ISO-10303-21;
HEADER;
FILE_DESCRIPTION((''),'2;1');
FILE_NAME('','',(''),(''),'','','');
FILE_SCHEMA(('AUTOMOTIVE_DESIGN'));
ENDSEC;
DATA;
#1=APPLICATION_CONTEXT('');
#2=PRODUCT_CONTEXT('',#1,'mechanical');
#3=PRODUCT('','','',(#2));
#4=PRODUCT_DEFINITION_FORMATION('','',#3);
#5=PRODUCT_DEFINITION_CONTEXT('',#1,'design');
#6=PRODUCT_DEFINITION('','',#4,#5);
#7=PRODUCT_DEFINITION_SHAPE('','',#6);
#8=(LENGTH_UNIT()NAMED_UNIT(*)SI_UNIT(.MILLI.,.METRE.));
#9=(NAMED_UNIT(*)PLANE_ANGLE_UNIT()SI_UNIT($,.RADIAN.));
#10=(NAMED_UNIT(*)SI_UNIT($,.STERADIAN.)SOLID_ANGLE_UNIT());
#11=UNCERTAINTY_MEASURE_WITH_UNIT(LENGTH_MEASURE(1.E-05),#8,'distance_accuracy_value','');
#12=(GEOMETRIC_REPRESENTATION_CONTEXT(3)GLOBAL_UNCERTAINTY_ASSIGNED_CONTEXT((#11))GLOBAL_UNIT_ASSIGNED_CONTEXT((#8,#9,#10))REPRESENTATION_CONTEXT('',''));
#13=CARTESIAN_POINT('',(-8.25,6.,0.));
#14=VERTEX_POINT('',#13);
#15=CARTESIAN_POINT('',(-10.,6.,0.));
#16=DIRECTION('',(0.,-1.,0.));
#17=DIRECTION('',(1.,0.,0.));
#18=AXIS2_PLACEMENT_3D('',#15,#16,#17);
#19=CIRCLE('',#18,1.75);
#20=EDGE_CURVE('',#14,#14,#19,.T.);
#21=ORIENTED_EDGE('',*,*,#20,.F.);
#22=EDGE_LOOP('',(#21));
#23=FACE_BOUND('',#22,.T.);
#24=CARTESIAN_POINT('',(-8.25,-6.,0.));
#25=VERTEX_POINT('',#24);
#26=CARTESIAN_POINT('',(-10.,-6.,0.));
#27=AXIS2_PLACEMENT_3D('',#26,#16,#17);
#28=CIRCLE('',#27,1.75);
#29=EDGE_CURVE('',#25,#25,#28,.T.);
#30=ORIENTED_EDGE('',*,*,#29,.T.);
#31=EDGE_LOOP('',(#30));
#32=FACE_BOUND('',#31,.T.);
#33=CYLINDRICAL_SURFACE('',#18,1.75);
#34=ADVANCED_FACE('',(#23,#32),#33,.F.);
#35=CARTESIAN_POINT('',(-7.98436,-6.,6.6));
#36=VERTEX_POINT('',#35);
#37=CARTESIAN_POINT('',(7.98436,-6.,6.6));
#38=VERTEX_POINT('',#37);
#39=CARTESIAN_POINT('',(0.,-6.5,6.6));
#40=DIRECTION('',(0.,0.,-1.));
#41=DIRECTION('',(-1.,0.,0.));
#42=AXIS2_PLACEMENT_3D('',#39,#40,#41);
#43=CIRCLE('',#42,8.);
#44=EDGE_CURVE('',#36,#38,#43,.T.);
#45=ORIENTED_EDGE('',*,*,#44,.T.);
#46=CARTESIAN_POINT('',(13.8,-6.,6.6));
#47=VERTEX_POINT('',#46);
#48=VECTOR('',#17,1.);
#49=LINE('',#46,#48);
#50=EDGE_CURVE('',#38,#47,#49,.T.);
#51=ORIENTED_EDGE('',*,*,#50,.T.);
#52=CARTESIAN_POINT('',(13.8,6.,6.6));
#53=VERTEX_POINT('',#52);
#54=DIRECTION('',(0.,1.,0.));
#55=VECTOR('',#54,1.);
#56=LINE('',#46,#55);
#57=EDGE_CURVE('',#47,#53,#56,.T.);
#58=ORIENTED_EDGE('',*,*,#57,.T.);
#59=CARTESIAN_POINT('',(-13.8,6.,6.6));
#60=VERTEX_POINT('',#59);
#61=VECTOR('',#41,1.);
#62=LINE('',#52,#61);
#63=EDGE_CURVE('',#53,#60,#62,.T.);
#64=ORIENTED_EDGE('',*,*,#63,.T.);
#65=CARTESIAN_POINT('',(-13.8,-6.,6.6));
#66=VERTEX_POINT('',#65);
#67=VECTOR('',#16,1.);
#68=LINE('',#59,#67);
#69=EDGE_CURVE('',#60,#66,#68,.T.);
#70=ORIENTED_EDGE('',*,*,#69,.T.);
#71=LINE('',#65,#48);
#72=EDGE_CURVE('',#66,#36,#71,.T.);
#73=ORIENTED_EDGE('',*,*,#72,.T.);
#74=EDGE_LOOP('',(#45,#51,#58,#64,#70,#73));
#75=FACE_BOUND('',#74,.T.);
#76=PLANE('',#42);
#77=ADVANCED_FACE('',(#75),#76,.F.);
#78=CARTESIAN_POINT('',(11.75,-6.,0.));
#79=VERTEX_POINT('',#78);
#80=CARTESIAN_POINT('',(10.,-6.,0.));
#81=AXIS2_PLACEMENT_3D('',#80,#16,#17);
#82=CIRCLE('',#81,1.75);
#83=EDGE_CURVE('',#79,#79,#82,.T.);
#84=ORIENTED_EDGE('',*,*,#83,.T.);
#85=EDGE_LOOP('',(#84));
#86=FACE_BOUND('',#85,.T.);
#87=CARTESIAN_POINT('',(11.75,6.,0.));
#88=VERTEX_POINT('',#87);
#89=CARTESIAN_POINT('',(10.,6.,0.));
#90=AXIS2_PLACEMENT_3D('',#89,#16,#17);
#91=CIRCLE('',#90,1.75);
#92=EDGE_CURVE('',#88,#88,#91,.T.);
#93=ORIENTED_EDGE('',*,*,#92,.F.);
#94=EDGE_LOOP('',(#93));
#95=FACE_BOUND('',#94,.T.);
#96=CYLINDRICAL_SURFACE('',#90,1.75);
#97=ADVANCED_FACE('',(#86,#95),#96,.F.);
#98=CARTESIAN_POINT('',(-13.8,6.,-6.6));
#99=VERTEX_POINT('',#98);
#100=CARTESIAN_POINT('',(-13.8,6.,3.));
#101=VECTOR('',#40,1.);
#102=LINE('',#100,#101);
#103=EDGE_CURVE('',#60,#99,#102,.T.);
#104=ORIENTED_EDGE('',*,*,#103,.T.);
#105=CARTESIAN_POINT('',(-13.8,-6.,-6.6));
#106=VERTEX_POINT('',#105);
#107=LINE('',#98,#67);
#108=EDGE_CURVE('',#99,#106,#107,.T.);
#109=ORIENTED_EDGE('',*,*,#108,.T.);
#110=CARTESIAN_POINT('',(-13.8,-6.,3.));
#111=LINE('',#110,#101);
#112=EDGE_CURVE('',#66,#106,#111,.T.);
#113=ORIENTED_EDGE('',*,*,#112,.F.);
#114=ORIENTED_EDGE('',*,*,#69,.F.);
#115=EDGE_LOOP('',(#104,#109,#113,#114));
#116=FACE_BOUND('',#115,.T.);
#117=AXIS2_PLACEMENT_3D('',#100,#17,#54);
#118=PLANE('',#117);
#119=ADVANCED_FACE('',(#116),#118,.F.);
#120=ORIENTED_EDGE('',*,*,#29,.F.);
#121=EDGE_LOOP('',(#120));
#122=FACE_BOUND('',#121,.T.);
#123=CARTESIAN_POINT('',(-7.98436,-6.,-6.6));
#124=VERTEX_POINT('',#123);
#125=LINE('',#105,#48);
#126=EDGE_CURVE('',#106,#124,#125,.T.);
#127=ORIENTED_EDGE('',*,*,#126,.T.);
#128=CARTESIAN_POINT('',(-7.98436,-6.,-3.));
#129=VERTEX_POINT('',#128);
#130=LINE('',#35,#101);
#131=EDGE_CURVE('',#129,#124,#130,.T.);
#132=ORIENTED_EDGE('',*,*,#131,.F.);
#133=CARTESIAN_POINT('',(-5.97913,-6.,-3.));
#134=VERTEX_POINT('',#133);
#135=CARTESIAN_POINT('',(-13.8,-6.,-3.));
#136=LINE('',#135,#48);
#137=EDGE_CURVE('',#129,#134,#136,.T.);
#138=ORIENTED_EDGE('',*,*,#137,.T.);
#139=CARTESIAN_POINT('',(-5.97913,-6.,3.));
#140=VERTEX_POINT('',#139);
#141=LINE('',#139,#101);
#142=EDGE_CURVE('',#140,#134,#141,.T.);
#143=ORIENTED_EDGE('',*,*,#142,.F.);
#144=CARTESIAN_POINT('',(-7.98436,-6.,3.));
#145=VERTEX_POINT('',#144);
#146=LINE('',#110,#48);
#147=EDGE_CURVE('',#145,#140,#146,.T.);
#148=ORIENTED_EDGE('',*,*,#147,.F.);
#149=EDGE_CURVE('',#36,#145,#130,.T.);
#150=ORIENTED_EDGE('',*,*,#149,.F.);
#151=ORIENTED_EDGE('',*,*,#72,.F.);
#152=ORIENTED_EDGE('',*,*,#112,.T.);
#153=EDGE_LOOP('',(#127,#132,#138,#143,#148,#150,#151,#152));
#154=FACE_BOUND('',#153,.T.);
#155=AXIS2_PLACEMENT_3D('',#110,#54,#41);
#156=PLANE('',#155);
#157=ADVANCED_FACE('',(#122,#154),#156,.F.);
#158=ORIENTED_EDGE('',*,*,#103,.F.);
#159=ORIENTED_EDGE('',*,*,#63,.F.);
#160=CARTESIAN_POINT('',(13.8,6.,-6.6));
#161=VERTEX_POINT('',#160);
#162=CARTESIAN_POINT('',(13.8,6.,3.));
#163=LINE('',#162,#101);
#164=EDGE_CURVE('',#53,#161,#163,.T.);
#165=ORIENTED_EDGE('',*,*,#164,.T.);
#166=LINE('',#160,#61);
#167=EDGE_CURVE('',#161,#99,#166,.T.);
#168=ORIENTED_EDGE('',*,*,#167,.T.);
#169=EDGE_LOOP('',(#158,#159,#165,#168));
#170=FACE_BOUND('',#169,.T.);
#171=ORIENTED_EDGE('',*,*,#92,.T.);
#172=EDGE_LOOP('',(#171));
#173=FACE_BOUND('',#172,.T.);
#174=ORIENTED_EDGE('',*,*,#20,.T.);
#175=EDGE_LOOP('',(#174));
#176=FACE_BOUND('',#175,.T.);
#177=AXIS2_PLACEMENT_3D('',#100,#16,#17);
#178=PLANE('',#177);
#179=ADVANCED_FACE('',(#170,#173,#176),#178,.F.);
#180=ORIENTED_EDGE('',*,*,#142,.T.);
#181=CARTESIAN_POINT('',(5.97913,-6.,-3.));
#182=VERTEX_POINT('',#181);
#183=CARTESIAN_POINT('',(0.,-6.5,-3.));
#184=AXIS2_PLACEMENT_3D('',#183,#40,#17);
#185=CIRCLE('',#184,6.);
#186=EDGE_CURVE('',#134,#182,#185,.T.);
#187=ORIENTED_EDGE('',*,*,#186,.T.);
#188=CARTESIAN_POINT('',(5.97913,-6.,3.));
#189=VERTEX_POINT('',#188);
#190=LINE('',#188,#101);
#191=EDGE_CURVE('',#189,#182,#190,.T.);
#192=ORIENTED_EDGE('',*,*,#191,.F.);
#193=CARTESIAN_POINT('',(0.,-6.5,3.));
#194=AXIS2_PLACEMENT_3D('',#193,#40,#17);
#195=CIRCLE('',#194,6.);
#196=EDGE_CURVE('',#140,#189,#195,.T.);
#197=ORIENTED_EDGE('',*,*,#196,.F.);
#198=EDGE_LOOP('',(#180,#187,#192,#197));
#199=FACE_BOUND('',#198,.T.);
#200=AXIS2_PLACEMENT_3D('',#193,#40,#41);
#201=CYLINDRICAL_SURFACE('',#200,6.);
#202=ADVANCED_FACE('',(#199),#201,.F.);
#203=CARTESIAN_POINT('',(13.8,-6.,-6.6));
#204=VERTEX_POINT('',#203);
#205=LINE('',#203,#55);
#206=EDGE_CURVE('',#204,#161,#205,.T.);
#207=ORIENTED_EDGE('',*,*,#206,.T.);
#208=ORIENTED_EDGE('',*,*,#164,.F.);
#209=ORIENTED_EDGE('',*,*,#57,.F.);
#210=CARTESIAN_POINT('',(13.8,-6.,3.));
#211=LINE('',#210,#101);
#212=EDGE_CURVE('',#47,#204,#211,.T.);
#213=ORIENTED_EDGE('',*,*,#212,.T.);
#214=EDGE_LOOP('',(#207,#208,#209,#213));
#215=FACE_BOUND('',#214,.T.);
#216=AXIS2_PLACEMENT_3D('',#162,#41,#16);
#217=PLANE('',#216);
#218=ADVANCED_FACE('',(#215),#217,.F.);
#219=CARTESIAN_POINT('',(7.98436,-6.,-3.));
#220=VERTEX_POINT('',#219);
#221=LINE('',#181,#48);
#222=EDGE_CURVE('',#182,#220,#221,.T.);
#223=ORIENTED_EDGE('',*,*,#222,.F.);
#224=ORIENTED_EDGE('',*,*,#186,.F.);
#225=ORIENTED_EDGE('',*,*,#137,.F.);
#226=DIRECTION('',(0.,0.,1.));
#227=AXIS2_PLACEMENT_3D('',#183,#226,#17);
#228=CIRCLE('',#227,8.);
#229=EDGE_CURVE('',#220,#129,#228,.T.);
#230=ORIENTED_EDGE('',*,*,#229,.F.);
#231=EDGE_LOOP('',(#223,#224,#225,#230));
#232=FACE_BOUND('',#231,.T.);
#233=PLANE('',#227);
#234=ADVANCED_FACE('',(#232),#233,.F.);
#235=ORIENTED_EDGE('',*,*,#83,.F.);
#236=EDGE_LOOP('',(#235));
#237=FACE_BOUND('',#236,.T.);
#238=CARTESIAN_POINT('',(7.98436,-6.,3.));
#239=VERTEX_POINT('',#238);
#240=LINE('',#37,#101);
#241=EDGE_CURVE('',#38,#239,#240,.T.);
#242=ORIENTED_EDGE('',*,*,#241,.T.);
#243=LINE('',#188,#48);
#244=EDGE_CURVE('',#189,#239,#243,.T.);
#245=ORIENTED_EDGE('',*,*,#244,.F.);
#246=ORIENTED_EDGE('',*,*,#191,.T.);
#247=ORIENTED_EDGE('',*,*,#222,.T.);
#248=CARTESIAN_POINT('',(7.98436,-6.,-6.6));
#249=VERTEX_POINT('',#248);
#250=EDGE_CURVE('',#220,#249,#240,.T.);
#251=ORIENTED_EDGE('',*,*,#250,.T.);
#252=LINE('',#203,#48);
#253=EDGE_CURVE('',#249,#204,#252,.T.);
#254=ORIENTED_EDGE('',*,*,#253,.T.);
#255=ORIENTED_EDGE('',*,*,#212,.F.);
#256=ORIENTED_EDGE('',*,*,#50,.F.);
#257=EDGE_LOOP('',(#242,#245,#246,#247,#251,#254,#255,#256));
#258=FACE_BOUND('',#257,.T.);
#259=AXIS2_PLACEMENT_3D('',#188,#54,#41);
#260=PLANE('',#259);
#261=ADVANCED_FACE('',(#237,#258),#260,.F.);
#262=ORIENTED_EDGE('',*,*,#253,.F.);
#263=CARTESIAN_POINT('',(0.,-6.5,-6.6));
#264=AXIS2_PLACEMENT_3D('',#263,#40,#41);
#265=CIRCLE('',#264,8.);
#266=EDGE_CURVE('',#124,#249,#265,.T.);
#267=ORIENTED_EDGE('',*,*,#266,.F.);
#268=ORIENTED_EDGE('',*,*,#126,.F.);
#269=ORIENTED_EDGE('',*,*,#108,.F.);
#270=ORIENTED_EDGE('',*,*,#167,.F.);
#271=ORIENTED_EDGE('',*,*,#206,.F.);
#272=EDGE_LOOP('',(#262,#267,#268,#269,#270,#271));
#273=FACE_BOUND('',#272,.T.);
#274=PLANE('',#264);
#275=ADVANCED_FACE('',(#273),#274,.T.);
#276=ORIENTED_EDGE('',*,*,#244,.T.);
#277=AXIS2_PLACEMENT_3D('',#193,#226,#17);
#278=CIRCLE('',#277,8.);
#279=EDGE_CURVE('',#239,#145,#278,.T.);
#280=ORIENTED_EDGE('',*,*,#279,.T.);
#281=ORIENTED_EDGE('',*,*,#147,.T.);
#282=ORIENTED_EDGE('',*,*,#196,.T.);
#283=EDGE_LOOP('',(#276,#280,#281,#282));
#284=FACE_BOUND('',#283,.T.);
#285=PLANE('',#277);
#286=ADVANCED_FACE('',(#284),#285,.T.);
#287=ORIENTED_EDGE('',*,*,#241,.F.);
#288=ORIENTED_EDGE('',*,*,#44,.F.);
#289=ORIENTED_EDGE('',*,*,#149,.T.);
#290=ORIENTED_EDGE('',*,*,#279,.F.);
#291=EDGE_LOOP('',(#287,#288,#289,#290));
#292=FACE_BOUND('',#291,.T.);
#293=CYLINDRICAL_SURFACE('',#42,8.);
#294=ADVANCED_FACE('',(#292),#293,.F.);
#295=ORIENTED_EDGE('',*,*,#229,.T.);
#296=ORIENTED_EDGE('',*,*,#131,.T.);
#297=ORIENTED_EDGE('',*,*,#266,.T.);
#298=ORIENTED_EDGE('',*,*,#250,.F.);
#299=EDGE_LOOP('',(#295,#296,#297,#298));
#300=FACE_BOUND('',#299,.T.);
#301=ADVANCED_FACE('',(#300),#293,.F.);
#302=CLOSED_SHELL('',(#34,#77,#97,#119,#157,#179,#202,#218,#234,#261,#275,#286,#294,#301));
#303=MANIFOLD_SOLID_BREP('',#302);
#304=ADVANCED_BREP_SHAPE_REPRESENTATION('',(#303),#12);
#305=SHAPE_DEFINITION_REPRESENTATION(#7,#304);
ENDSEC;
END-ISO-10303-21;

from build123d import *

# Parameters (mm, degrees)
ESTRUSIONE_ESTRUSIONE1_DEPTH = 3
ESTRUSIONE_ESTRUSIONE2_DEPTH = 6.6
SCHIZZO3_R                   = 1.75
TAGLIO_ESTRUSIONE1_DEPTH     = 20.442222095


with BuildPart() as part:
    # Schizzo1 → Estrusione-Estrusione1 (new, symmetric)
    with BuildSketch(Plane.XY):
        with BuildLine():
            Line((-13.8, 6), (13.8, 6))
            Line((13.8, 6), (13.8, -6))
            Line((13.8, -6), (5.979130372, -6))
            ThreePointArc((5.979130372, -6), (0, -0.5), (-5.979130372, -6))
            Line((-5.979130372, -6), (-13.8, -6))
            Line((-13.8, -6), (-13.8, 6))
        make_face()
    extrude(amount=ESTRUSIONE_ESTRUSIONE1_DEPTH, both=True)

    # Schizzo2 → Estrusione-Estrusione2 (add, symmetric)
    with BuildSketch(Plane.XY):
        with BuildLine():
            Line((13.8, 6), (-13.8, 6))
            Line((-13.8, 6), (-13.8, -6))
            Line((-13.8, -6), (-7.984359711, -6))
            ThreePointArc((-7.984359711, -6), (0, 1.5), (7.984359711, -6))
            Line((7.984359711, -6), (13.8, -6))
            Line((13.8, -6), (13.8, 6))
        make_face()
    extrude(amount=ESTRUSIONE_ESTRUSIONE2_DEPTH, both=True)

    # Schizzo3 → Taglio-Estrusione1 (cut, through all)
    with BuildSketch(Plane.XZ.offset(6)):
        with Locations((-10, 0)):
            Circle(SCHIZZO3_R)
        with Locations((10, 0)):
            Circle(SCHIZZO3_R)
    extrude(amount=-TAGLIO_ESTRUSIONE1_DEPTH, mode=Mode.SUBTRACT)


solid = part.part
